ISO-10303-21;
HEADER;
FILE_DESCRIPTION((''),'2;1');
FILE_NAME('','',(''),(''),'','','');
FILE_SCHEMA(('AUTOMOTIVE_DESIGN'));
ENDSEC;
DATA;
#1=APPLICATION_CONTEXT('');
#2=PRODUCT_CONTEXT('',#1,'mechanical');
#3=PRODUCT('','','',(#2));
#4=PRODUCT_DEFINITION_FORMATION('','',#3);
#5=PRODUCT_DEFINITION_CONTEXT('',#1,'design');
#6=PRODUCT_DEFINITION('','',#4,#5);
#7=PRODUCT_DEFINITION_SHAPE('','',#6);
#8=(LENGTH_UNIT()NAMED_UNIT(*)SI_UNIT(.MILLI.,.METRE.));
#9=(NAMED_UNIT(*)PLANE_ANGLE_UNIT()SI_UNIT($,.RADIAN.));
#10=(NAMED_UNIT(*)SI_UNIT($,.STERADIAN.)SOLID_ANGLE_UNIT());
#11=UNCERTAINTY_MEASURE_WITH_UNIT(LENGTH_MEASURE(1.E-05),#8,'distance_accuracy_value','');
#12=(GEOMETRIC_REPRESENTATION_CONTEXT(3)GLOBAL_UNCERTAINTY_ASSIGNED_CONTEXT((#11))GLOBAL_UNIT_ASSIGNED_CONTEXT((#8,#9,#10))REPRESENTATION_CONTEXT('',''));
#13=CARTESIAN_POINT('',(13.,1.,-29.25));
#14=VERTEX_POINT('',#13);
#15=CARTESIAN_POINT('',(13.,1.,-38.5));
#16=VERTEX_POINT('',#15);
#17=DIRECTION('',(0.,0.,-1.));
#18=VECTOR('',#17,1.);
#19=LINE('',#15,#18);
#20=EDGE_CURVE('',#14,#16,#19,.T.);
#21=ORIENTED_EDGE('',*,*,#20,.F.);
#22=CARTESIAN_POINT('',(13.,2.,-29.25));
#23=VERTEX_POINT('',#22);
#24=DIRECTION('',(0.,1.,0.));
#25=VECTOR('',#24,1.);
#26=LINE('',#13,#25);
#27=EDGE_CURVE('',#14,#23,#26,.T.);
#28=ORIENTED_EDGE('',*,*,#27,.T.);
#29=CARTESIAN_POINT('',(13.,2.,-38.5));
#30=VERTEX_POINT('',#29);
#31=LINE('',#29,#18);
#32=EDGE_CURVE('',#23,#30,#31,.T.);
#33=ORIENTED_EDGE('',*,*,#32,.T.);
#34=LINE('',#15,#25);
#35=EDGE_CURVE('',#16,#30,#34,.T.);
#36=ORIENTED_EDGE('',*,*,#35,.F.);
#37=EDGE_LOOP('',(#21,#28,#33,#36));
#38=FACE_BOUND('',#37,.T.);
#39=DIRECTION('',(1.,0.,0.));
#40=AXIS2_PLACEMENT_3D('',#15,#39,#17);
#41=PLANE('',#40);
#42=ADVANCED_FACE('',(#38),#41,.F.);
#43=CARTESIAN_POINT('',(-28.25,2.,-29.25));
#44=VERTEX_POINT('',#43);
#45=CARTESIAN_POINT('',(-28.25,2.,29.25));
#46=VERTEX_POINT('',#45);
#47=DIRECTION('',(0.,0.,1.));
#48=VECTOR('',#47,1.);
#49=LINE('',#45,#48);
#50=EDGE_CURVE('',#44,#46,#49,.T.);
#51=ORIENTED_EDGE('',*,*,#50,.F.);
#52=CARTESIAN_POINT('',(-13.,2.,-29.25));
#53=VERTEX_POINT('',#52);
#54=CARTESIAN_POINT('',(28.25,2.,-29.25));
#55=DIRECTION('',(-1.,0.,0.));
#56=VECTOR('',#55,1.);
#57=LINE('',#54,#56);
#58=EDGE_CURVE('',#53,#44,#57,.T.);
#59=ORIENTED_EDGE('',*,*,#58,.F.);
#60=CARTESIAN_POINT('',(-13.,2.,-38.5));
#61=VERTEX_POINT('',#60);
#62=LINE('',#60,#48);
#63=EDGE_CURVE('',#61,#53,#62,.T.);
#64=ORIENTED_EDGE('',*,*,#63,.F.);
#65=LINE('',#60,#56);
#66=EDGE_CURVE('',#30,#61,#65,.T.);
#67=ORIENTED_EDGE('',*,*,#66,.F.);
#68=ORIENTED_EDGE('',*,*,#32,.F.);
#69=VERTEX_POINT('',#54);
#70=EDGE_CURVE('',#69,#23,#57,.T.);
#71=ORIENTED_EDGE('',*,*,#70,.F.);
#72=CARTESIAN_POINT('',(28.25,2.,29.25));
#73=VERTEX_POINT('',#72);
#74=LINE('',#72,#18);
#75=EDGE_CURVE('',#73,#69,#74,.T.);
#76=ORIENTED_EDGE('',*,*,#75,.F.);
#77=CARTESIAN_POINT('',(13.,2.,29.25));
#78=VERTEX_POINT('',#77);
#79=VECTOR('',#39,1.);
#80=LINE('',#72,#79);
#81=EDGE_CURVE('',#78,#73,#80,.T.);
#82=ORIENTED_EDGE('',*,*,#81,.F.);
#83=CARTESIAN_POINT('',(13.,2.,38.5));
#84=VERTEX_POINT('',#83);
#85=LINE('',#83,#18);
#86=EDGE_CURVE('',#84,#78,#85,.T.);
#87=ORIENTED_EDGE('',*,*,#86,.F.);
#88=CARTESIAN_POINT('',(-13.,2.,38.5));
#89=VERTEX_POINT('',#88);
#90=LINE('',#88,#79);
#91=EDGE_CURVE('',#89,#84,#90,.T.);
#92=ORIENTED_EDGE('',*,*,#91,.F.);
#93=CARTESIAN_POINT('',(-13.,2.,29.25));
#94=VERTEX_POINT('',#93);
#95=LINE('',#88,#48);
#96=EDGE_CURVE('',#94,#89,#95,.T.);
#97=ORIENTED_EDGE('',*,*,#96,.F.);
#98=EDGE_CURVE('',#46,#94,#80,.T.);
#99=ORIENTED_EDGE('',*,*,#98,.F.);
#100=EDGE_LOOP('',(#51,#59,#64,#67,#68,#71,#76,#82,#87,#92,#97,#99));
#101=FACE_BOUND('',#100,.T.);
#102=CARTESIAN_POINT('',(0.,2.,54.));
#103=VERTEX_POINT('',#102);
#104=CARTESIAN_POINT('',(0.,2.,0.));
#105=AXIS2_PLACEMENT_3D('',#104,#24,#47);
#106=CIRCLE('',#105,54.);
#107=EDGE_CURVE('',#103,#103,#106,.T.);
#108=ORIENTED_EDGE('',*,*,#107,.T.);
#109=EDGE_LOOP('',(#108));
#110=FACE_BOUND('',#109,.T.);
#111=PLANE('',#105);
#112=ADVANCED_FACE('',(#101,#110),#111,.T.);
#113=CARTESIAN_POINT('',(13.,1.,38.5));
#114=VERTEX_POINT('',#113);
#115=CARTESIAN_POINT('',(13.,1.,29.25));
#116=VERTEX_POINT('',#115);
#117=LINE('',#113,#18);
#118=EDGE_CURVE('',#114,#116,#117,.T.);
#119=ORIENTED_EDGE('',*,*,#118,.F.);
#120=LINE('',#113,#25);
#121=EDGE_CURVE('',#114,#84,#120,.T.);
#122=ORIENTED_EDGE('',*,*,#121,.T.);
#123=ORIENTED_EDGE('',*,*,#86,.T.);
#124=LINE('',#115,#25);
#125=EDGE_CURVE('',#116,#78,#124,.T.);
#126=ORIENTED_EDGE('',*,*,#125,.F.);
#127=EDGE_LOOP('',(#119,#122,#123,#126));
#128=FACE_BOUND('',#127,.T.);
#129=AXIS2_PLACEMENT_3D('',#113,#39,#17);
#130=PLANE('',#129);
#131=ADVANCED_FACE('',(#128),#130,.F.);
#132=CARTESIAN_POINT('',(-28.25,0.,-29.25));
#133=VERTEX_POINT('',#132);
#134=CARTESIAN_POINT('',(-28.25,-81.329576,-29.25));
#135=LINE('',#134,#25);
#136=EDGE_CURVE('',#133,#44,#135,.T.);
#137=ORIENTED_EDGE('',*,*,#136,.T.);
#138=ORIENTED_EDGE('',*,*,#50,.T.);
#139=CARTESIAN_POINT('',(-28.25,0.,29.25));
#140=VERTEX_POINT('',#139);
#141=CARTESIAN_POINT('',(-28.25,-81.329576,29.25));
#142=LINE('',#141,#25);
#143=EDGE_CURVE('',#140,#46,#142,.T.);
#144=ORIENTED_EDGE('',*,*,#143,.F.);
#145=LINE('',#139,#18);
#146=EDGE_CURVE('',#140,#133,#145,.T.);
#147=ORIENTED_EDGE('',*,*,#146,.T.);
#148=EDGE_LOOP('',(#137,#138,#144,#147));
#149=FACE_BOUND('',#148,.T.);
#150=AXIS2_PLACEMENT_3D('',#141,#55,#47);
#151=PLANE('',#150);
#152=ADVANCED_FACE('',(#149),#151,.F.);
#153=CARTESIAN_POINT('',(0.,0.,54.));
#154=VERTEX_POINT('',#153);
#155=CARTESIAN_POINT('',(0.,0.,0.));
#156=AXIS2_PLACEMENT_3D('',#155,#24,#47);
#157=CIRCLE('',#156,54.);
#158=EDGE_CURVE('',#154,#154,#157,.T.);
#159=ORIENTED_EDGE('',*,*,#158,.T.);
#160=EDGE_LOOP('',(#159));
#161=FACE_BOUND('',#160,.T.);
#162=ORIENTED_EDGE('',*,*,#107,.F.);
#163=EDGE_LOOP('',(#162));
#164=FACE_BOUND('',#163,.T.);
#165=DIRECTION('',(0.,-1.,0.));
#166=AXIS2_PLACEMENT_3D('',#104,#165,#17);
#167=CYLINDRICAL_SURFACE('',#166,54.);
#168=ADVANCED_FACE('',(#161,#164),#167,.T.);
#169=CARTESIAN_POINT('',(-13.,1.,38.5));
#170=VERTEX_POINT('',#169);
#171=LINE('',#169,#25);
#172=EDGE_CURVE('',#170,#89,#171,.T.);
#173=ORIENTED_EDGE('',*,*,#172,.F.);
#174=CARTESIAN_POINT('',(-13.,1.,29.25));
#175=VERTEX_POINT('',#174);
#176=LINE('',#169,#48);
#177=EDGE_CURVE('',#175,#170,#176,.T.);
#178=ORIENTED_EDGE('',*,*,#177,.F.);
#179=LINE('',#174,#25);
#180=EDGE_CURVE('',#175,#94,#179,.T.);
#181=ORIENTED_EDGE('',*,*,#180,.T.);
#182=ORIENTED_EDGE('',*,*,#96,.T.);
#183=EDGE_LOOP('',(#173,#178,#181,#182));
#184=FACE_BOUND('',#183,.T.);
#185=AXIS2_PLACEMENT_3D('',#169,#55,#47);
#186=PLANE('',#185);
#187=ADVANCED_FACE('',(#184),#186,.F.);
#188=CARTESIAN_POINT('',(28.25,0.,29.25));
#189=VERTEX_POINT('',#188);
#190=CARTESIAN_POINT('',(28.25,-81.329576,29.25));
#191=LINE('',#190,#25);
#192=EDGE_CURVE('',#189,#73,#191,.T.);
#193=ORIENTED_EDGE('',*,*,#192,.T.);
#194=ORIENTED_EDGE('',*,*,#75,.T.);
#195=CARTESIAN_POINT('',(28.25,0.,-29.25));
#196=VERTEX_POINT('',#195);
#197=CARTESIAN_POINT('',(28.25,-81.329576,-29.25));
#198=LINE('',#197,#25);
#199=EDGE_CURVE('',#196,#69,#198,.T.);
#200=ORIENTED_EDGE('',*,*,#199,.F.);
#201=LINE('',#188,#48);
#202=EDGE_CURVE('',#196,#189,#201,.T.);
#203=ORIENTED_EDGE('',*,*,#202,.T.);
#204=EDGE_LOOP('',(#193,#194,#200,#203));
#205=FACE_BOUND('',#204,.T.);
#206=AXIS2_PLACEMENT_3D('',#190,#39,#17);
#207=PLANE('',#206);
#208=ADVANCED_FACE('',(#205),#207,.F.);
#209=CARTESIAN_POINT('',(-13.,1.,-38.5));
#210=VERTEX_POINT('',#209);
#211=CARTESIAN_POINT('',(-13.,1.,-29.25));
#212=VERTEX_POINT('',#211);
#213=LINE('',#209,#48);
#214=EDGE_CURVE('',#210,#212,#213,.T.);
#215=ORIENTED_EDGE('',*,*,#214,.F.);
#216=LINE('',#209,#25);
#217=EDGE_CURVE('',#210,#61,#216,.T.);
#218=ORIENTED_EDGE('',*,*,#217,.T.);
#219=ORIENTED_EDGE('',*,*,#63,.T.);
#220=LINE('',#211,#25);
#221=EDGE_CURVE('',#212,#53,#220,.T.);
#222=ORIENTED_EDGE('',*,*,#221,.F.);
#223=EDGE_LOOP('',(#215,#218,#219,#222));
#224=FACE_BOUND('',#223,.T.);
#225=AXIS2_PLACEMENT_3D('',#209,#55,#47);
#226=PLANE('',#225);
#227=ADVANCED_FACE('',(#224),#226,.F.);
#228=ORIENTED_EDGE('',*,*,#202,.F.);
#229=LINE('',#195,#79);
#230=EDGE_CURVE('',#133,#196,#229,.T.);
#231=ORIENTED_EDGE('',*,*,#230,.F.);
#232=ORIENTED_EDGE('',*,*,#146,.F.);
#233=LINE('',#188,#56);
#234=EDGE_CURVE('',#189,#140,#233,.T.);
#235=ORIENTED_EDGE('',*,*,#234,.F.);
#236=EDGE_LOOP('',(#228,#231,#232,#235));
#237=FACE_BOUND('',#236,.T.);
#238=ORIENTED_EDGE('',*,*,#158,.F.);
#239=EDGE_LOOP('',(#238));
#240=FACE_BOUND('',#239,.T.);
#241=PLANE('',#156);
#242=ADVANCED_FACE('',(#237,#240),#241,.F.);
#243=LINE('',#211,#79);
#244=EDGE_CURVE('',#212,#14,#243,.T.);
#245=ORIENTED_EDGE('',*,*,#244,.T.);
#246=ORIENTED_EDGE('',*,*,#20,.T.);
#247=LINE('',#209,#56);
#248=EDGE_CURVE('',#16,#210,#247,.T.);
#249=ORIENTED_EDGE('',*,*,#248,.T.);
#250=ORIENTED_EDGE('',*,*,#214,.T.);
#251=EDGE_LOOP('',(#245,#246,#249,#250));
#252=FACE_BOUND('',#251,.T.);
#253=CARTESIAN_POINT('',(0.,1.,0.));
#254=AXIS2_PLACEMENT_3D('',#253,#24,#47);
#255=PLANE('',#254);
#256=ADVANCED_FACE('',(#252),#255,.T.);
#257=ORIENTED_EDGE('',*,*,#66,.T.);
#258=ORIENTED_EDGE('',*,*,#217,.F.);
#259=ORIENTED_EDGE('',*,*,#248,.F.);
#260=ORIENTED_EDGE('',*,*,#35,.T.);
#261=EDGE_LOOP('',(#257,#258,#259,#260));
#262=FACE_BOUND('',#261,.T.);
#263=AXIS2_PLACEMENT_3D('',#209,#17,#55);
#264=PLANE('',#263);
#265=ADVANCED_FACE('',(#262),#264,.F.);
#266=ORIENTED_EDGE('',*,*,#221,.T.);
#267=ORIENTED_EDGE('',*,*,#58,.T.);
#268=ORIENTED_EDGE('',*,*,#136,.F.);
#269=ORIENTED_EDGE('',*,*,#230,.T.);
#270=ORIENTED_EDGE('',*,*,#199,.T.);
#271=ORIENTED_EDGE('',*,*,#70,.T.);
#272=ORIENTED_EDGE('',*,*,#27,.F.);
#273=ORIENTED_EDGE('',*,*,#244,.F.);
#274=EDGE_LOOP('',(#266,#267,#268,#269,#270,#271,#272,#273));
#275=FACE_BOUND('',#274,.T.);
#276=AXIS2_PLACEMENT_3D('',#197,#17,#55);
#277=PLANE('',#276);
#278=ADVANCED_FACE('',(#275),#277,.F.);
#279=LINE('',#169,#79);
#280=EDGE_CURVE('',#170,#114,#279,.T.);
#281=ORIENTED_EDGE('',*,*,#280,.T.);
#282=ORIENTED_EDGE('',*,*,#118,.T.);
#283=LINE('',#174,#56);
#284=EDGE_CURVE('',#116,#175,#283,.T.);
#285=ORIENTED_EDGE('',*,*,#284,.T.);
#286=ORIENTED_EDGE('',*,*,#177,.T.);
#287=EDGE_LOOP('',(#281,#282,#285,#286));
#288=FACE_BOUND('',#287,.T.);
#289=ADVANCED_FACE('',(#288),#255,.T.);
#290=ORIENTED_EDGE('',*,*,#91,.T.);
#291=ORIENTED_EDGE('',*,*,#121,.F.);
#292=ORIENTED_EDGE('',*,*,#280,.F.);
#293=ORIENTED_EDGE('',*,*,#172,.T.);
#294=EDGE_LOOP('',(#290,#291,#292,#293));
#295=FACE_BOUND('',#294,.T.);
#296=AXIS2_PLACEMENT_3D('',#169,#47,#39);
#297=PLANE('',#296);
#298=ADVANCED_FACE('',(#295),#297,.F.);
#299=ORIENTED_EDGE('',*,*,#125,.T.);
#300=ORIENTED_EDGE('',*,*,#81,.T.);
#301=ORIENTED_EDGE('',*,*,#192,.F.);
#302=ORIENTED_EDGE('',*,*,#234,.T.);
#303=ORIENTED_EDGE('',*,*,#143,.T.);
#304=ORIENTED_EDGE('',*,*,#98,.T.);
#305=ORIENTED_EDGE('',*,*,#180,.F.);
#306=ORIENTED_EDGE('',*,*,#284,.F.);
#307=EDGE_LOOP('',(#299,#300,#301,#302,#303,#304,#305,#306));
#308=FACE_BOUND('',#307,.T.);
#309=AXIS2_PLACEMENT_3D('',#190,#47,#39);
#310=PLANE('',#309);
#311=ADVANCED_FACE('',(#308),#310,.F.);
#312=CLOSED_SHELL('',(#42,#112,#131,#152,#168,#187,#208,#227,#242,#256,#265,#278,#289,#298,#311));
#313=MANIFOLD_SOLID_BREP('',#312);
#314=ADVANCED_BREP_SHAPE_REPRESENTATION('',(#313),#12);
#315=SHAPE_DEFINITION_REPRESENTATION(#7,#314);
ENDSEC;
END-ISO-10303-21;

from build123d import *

# Parameters (mm, degrees)
SKETCH1_R           = 54
BOSS_EXTRUDE1_DEPTH = 2
SKETCH2_W           = 56.5
SKETCH2_H           = 58.5
CUT_EXTRUDE1_DEPTH  = 2
SKETCH3_W           = 26
SKETCH3_H           = 9.25
CUT_EXTRUDE2_DEPTH  = 1


with BuildPart() as part:
    # Sketch1 → Boss-Extrude1 (new body)
    with BuildSketch(Plane(origin=(0, 0, 0), x_dir=(1, 0, 0), z_dir=(0, 1, 0))):
        Circle(SKETCH1_R)
    extrude(amount=BOSS_EXTRUDE1_DEPTH)

    # Sketch2 → Cut-Extrude1 (cut)
    with BuildSketch(Plane(origin=(0, 2, 0), x_dir=(1, 0, 0), z_dir=(0, 1, 0))):
        Rectangle(SKETCH2_W, SKETCH2_H)
    extrude(amount=-CUT_EXTRUDE1_DEPTH, mode=Mode.SUBTRACT)

    # Sketch3 → Cut-Extrude2 (cut)
    with BuildSketch(Plane(origin=(0, 2, 0), x_dir=(1, 0, 0), z_dir=(0, 1, 0))):
        with Locations((0, 33.875)):
            Rectangle(SKETCH3_W, SKETCH3_H)
        with Locations((0, -33.875)):
            Rectangle(SKETCH3_W, SKETCH3_H)
    extrude(amount=-CUT_EXTRUDE2_DEPTH, mode=Mode.SUBTRACT)


solid = part.part
